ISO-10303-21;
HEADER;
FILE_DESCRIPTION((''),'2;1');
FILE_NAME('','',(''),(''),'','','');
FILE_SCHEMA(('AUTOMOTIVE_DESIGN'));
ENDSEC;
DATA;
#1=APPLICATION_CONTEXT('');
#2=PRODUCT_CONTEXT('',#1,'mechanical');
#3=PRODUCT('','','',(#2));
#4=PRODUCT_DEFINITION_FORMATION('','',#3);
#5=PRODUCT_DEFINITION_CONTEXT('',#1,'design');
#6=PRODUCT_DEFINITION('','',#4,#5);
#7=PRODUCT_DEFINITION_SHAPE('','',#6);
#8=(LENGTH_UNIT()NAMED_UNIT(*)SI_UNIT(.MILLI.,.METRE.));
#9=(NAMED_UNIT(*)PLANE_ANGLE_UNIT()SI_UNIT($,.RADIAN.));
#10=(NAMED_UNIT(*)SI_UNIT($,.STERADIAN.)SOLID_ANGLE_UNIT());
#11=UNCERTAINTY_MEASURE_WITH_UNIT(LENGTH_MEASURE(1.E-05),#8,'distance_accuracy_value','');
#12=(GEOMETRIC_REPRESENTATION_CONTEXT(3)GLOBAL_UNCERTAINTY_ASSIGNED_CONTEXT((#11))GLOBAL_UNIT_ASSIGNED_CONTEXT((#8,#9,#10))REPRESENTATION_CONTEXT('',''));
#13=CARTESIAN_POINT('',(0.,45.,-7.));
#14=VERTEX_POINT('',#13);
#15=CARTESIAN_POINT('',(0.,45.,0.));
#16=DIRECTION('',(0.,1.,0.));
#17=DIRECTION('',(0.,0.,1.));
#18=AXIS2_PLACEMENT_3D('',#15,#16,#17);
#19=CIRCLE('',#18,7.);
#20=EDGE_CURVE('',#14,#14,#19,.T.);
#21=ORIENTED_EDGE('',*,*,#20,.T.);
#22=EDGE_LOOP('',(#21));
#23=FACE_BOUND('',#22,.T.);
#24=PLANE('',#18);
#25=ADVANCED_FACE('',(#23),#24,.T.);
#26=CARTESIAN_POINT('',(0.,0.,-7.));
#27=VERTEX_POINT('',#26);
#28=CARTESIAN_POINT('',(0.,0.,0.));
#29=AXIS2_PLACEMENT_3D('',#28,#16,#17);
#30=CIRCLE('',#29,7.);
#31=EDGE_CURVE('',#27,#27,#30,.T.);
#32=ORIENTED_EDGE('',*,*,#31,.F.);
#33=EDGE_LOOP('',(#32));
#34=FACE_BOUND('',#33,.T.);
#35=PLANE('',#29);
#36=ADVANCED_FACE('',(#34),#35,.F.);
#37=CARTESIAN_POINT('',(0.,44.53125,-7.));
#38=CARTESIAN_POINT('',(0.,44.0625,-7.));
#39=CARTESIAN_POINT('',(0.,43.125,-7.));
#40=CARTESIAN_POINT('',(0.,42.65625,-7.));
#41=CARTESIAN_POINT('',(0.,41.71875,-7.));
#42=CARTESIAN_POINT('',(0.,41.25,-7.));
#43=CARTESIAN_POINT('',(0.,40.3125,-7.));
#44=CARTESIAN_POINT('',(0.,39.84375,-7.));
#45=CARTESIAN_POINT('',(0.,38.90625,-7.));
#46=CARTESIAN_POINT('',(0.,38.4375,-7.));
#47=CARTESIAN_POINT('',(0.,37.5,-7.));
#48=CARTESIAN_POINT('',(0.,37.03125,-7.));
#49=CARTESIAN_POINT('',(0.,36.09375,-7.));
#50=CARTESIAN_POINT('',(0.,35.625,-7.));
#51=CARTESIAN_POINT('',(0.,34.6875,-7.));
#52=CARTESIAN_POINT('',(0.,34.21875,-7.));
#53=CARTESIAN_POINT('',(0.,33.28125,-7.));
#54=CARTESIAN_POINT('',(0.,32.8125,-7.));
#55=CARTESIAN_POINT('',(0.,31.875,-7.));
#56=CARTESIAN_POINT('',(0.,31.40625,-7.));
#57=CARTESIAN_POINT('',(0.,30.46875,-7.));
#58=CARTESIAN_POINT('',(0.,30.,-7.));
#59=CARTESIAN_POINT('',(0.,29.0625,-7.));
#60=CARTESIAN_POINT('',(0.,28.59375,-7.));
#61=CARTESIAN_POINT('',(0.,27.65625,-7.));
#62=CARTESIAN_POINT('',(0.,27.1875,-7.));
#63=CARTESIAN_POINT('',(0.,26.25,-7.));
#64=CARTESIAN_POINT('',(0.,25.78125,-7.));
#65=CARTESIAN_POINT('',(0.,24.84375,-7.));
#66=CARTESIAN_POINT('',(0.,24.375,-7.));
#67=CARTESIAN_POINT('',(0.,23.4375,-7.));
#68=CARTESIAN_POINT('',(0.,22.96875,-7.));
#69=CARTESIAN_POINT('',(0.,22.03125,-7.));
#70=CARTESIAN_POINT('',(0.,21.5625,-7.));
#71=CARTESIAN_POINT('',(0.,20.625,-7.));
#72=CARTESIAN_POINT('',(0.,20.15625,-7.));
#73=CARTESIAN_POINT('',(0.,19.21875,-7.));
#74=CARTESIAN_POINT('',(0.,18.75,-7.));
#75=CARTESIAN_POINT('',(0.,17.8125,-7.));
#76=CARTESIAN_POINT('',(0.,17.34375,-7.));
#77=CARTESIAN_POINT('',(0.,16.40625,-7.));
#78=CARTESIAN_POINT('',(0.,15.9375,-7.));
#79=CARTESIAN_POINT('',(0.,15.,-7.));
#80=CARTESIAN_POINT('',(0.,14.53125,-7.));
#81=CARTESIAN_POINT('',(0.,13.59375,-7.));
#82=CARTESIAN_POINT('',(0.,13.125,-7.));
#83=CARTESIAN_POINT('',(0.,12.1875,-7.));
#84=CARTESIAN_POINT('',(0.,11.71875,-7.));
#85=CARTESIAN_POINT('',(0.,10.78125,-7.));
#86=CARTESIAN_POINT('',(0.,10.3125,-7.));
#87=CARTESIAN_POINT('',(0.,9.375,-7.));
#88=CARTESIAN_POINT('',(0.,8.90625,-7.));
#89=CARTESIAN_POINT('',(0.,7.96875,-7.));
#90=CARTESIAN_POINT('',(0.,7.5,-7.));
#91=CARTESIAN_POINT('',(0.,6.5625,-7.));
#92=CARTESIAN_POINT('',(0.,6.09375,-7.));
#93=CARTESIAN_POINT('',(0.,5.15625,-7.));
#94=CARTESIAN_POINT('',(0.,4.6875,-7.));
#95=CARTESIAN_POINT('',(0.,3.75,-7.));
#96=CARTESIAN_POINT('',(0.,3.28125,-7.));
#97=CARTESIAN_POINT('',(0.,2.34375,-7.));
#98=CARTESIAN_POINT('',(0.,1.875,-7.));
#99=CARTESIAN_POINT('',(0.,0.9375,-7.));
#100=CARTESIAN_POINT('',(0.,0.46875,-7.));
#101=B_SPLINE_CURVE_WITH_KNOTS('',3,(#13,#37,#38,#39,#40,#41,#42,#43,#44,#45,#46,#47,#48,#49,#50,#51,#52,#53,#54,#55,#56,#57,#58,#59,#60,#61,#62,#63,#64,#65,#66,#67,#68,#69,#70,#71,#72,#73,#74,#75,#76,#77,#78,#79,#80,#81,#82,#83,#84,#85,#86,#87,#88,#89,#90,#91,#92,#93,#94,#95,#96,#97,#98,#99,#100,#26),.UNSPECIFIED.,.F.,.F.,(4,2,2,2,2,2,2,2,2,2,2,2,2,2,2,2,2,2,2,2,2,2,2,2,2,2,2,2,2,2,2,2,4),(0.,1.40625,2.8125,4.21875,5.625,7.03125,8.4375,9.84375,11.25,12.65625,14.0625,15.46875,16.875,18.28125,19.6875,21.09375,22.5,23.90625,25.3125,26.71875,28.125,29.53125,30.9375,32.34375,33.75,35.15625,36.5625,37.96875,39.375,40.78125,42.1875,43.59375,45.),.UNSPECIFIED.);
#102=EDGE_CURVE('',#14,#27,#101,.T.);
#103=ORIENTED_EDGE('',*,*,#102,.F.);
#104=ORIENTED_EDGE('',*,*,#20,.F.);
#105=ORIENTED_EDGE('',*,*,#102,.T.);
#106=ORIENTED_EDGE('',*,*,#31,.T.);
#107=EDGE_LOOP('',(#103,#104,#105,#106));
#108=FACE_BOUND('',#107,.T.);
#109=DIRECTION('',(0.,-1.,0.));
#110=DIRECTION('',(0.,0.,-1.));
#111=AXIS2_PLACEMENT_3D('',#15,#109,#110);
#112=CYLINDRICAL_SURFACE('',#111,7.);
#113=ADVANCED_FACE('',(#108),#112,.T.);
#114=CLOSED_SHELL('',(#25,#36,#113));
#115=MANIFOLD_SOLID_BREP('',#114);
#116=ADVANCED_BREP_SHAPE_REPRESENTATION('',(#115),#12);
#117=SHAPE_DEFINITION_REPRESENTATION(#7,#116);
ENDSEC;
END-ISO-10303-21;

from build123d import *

# Parameters (mm, degrees)
SKETCH_1_R      = 7
EXTRUDE_1_DEPTH = 45


with BuildPart() as part:
    # 草图1 → 凸台-拉伸1 (new body)
    with BuildSketch(Plane(origin=(0, 0, 0), x_dir=(1, 0, 0), z_dir=(0, 1, 0))):
        with Locations(Location((0, 0, 0), (0, 0, 90))):
            Circle(SKETCH_1_R)
    extrude(amount=EXTRUDE_1_DEPTH)


solid = part.part
